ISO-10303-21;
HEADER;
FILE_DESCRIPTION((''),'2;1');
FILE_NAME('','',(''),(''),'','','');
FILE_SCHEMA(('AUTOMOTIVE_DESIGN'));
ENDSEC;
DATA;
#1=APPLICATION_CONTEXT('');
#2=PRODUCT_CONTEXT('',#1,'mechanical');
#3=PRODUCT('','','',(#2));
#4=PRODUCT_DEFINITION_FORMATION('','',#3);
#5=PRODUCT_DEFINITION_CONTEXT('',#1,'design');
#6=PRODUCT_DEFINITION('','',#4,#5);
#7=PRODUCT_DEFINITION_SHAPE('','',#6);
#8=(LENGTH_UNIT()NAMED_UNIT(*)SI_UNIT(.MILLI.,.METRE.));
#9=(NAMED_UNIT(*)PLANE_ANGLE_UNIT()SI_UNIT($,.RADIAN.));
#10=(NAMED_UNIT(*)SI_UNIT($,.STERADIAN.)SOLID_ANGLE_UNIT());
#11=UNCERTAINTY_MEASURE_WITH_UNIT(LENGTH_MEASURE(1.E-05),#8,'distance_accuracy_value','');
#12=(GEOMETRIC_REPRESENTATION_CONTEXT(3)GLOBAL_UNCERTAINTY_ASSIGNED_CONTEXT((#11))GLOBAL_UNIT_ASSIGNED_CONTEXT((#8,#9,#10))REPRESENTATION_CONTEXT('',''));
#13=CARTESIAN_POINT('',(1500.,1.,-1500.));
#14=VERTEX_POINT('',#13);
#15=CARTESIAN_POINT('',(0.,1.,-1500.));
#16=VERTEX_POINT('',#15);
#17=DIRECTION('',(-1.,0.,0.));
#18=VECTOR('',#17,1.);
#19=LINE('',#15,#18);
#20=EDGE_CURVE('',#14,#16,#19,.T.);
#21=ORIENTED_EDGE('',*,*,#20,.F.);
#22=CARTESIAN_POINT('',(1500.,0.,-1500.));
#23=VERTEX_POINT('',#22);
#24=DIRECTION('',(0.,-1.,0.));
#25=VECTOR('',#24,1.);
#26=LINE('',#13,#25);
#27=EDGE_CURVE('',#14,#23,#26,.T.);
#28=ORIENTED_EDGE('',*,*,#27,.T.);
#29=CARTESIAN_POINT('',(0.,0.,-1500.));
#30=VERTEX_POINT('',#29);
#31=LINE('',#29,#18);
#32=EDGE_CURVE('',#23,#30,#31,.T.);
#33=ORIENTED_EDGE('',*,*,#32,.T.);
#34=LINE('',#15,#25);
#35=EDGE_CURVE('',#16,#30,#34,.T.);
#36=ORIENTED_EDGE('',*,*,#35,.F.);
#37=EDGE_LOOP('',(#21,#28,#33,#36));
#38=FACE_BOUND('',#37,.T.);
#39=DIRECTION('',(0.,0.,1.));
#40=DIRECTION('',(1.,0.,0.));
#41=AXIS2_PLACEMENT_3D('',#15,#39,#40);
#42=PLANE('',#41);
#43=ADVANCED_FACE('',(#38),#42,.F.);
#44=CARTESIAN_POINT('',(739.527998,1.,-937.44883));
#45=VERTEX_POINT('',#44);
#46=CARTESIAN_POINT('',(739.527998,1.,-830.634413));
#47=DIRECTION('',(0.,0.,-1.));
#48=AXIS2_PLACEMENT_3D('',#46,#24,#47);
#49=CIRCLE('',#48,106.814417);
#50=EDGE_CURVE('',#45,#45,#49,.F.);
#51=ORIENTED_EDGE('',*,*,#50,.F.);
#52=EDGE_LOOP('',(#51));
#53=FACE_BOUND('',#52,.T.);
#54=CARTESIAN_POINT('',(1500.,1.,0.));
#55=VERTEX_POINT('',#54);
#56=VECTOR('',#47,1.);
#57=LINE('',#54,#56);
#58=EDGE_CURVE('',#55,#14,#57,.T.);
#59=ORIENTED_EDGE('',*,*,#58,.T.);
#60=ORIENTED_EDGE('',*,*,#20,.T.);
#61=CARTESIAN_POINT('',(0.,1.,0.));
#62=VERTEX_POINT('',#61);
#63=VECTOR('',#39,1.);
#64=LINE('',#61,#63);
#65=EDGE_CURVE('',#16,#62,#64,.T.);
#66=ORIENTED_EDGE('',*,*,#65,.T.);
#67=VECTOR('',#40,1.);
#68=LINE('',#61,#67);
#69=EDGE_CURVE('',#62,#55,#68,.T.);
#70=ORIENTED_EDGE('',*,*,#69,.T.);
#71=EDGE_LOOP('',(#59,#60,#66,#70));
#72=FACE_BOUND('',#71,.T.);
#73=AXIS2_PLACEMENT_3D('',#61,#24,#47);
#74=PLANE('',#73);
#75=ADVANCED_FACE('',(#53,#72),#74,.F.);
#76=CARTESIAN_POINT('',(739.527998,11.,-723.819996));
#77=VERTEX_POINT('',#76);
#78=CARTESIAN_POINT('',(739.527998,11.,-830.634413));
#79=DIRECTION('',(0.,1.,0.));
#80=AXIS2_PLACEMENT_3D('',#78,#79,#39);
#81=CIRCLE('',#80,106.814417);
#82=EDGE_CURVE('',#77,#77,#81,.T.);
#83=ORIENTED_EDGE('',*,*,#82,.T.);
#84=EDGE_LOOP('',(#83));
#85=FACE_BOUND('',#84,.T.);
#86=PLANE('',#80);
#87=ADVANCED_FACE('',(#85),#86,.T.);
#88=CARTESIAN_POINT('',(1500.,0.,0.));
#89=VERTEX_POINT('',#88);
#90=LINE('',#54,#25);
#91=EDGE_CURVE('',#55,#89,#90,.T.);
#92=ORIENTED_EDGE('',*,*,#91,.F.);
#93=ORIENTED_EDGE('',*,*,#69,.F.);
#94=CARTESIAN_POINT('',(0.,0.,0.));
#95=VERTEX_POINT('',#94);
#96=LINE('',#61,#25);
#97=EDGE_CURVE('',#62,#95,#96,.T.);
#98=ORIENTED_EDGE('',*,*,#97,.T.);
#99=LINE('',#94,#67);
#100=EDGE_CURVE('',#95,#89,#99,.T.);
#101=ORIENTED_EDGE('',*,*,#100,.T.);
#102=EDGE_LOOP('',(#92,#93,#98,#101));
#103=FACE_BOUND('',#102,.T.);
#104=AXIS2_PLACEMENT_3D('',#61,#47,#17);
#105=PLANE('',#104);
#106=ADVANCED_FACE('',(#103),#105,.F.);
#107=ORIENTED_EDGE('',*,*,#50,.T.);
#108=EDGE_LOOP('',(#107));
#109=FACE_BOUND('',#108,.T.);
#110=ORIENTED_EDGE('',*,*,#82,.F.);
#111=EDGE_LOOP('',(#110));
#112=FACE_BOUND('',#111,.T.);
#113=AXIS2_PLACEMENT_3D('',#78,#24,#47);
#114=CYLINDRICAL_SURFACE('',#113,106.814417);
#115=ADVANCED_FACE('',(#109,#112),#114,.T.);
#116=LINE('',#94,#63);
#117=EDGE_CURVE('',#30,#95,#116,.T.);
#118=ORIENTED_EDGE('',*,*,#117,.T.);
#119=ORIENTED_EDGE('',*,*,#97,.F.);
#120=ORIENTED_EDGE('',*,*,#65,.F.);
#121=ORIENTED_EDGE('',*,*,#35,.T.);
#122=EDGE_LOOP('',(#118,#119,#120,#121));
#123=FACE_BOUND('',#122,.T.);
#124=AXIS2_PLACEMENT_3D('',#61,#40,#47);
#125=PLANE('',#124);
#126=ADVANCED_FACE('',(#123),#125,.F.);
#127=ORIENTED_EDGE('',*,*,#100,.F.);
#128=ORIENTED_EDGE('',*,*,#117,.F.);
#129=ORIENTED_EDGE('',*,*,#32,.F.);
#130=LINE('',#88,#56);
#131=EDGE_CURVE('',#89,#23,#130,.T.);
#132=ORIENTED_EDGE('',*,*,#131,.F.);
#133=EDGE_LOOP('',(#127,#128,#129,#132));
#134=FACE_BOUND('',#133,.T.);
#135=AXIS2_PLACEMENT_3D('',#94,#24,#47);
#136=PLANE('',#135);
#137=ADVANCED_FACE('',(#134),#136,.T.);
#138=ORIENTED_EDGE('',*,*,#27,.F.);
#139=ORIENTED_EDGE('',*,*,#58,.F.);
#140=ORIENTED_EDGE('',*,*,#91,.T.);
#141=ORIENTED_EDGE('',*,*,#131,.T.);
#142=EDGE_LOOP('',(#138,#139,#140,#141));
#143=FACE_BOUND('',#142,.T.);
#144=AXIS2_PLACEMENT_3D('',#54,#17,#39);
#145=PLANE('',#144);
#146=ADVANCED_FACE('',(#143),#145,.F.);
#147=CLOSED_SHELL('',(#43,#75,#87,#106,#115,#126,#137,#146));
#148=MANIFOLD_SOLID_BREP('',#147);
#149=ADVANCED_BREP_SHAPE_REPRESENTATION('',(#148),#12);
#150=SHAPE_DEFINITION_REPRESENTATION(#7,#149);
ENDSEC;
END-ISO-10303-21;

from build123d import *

# Parameters (mm, degrees)
SKETCH1_W           = 1500
SKETCH1_H           = 1500
BOSS_EXTRUDE1_DEPTH = 1
SKETCH2_R           = 106.81441709
BOSS_EXTRUDE2_DEPTH = 10


with BuildPart() as part:
    # Sketch1 → Boss-Extrude1 (new body)
    with BuildSketch(Plane(origin=(0, 0, 0), x_dir=(1, 0, 0), z_dir=(0, 1, 0))):
        with Locations((750, 750)):
            Rectangle(SKETCH1_W, SKETCH1_H)
    extrude(amount=BOSS_EXTRUDE1_DEPTH)

    # Sketch2 → Boss-Extrude2 (add)
    with BuildSketch(Plane(origin=(0, 1, 0), x_dir=(1, 0, 0), z_dir=(0, 1, 0))):
        with Locations((739.527998324, 830.634412902)):
            Circle(SKETCH2_R)
    extrude(amount=BOSS_EXTRUDE2_DEPTH)


solid = part.part
